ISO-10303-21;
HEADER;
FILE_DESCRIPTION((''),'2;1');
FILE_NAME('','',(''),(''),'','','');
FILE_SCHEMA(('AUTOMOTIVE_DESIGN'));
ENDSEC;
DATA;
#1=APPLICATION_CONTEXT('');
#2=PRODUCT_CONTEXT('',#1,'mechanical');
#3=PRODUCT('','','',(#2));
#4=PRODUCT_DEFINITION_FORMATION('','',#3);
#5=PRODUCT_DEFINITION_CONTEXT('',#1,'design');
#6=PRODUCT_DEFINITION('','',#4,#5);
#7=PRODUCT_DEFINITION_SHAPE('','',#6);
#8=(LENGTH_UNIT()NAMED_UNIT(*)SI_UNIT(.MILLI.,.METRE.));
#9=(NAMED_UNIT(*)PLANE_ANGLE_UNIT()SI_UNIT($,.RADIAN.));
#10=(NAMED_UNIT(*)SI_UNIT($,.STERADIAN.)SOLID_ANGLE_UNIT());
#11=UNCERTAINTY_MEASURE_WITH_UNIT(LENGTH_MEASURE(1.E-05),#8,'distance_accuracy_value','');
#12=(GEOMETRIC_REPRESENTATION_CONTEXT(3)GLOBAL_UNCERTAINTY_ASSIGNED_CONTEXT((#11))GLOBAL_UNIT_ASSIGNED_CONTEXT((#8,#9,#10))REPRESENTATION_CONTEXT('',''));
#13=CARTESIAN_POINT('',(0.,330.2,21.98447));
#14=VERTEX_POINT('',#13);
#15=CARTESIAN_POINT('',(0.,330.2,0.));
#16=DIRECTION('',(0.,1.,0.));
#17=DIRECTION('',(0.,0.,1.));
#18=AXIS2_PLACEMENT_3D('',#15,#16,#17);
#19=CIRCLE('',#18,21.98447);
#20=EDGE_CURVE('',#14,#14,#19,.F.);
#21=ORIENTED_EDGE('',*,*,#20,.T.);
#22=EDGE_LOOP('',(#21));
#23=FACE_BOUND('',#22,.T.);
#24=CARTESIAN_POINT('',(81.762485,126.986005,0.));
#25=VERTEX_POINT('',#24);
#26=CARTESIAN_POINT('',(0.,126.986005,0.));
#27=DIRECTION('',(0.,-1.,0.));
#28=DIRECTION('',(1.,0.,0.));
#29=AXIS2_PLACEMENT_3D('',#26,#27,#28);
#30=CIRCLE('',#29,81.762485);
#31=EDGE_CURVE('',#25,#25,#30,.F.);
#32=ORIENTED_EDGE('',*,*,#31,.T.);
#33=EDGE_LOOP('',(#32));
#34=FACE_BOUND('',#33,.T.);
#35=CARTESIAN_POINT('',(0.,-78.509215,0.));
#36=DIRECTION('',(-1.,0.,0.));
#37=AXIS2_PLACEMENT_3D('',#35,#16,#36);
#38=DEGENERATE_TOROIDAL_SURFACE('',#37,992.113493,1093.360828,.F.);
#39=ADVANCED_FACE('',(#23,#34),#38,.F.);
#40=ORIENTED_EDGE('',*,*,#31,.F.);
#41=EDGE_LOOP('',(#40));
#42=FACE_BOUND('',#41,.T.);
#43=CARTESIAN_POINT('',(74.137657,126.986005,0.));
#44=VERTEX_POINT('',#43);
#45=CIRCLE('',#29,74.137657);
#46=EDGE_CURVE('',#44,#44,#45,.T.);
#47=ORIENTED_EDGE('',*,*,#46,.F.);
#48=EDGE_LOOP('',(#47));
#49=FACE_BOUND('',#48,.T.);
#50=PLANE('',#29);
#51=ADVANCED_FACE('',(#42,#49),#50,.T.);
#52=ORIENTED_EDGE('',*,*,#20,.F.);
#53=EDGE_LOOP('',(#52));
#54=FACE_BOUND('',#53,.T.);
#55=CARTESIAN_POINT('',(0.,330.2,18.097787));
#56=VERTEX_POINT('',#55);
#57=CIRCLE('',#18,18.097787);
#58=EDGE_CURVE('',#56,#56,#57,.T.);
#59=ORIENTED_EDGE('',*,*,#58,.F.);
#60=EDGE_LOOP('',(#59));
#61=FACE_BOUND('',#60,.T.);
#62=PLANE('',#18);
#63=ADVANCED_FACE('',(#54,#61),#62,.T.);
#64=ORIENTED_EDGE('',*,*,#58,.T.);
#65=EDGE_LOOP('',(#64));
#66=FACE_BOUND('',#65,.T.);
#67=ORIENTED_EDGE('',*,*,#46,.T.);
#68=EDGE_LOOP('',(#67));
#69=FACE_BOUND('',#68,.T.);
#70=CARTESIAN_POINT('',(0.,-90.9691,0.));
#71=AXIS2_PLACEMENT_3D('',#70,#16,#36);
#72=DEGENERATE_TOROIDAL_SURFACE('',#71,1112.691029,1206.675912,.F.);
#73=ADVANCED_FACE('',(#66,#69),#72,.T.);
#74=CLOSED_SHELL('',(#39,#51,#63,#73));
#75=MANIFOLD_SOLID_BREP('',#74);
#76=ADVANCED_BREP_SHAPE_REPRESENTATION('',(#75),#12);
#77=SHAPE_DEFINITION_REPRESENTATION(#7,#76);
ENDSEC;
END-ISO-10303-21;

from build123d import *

# Parameters (mm, degrees)
SKETCH4_R           = 93.1545
SKETCH4_R_2         = 90.4875
BOSS_EXTRUDE2_DEPTH = 40.3999954
SKETCH7_R           = 317.5
CUT_EXTRUDE2_DEPTH  = 50.8
SKETCH8_R           = 119.216810528
CUT_EXTRUDE3_DEPTH  = 167.386


with BuildPart() as part:
    # Sketch2 → Revolve1 (revolve)
    with BuildSketch(Plane.XY):
        with BuildLine():
            Line((-98.425, 0), (-90.551, 0))
            ThreePointArc((-90.551, 0), (-60.43106349, 191.610647557), (0, 375.92))
            Line((0, 375.92), (0, 381))
            ThreePointArc((0, 381), (-66.494117829, 194.964417939), (-98.425, 0))
        make_face()
    revolve(axis=Axis((0, 381, 0), (0, -1, 0)))

    # Sketch4 → Boss-Extrude2 (add)
    with BuildSketch(Plane(origin=(0, 0, 0), x_dir=(-1, 0, 0), z_dir=(0, -1, 0))):
        Circle(SKETCH4_R)
        Circle(SKETCH4_R_2, mode=Mode.SUBTRACT)
    extrude(amount=BOSS_EXTRUDE2_DEPTH)

    # Sketch7 → Cut-Extrude2 (cut)
    with BuildSketch(Plane(origin=(0, 381, 0), x_dir=(1, 0, 0), z_dir=(0, 1, 0))):
        Circle(SKETCH7_R)
    extrude(amount=-CUT_EXTRUDE2_DEPTH, mode=Mode.SUBTRACT)

    # Sketch8 → Cut-Extrude3 (cut)
    with BuildSketch(Plane.XZ.offset(40.3999954)):
        Circle(SKETCH8_R)
    extrude(amount=-CUT_EXTRUDE3_DEPTH, mode=Mode.SUBTRACT)


solid = part.part
